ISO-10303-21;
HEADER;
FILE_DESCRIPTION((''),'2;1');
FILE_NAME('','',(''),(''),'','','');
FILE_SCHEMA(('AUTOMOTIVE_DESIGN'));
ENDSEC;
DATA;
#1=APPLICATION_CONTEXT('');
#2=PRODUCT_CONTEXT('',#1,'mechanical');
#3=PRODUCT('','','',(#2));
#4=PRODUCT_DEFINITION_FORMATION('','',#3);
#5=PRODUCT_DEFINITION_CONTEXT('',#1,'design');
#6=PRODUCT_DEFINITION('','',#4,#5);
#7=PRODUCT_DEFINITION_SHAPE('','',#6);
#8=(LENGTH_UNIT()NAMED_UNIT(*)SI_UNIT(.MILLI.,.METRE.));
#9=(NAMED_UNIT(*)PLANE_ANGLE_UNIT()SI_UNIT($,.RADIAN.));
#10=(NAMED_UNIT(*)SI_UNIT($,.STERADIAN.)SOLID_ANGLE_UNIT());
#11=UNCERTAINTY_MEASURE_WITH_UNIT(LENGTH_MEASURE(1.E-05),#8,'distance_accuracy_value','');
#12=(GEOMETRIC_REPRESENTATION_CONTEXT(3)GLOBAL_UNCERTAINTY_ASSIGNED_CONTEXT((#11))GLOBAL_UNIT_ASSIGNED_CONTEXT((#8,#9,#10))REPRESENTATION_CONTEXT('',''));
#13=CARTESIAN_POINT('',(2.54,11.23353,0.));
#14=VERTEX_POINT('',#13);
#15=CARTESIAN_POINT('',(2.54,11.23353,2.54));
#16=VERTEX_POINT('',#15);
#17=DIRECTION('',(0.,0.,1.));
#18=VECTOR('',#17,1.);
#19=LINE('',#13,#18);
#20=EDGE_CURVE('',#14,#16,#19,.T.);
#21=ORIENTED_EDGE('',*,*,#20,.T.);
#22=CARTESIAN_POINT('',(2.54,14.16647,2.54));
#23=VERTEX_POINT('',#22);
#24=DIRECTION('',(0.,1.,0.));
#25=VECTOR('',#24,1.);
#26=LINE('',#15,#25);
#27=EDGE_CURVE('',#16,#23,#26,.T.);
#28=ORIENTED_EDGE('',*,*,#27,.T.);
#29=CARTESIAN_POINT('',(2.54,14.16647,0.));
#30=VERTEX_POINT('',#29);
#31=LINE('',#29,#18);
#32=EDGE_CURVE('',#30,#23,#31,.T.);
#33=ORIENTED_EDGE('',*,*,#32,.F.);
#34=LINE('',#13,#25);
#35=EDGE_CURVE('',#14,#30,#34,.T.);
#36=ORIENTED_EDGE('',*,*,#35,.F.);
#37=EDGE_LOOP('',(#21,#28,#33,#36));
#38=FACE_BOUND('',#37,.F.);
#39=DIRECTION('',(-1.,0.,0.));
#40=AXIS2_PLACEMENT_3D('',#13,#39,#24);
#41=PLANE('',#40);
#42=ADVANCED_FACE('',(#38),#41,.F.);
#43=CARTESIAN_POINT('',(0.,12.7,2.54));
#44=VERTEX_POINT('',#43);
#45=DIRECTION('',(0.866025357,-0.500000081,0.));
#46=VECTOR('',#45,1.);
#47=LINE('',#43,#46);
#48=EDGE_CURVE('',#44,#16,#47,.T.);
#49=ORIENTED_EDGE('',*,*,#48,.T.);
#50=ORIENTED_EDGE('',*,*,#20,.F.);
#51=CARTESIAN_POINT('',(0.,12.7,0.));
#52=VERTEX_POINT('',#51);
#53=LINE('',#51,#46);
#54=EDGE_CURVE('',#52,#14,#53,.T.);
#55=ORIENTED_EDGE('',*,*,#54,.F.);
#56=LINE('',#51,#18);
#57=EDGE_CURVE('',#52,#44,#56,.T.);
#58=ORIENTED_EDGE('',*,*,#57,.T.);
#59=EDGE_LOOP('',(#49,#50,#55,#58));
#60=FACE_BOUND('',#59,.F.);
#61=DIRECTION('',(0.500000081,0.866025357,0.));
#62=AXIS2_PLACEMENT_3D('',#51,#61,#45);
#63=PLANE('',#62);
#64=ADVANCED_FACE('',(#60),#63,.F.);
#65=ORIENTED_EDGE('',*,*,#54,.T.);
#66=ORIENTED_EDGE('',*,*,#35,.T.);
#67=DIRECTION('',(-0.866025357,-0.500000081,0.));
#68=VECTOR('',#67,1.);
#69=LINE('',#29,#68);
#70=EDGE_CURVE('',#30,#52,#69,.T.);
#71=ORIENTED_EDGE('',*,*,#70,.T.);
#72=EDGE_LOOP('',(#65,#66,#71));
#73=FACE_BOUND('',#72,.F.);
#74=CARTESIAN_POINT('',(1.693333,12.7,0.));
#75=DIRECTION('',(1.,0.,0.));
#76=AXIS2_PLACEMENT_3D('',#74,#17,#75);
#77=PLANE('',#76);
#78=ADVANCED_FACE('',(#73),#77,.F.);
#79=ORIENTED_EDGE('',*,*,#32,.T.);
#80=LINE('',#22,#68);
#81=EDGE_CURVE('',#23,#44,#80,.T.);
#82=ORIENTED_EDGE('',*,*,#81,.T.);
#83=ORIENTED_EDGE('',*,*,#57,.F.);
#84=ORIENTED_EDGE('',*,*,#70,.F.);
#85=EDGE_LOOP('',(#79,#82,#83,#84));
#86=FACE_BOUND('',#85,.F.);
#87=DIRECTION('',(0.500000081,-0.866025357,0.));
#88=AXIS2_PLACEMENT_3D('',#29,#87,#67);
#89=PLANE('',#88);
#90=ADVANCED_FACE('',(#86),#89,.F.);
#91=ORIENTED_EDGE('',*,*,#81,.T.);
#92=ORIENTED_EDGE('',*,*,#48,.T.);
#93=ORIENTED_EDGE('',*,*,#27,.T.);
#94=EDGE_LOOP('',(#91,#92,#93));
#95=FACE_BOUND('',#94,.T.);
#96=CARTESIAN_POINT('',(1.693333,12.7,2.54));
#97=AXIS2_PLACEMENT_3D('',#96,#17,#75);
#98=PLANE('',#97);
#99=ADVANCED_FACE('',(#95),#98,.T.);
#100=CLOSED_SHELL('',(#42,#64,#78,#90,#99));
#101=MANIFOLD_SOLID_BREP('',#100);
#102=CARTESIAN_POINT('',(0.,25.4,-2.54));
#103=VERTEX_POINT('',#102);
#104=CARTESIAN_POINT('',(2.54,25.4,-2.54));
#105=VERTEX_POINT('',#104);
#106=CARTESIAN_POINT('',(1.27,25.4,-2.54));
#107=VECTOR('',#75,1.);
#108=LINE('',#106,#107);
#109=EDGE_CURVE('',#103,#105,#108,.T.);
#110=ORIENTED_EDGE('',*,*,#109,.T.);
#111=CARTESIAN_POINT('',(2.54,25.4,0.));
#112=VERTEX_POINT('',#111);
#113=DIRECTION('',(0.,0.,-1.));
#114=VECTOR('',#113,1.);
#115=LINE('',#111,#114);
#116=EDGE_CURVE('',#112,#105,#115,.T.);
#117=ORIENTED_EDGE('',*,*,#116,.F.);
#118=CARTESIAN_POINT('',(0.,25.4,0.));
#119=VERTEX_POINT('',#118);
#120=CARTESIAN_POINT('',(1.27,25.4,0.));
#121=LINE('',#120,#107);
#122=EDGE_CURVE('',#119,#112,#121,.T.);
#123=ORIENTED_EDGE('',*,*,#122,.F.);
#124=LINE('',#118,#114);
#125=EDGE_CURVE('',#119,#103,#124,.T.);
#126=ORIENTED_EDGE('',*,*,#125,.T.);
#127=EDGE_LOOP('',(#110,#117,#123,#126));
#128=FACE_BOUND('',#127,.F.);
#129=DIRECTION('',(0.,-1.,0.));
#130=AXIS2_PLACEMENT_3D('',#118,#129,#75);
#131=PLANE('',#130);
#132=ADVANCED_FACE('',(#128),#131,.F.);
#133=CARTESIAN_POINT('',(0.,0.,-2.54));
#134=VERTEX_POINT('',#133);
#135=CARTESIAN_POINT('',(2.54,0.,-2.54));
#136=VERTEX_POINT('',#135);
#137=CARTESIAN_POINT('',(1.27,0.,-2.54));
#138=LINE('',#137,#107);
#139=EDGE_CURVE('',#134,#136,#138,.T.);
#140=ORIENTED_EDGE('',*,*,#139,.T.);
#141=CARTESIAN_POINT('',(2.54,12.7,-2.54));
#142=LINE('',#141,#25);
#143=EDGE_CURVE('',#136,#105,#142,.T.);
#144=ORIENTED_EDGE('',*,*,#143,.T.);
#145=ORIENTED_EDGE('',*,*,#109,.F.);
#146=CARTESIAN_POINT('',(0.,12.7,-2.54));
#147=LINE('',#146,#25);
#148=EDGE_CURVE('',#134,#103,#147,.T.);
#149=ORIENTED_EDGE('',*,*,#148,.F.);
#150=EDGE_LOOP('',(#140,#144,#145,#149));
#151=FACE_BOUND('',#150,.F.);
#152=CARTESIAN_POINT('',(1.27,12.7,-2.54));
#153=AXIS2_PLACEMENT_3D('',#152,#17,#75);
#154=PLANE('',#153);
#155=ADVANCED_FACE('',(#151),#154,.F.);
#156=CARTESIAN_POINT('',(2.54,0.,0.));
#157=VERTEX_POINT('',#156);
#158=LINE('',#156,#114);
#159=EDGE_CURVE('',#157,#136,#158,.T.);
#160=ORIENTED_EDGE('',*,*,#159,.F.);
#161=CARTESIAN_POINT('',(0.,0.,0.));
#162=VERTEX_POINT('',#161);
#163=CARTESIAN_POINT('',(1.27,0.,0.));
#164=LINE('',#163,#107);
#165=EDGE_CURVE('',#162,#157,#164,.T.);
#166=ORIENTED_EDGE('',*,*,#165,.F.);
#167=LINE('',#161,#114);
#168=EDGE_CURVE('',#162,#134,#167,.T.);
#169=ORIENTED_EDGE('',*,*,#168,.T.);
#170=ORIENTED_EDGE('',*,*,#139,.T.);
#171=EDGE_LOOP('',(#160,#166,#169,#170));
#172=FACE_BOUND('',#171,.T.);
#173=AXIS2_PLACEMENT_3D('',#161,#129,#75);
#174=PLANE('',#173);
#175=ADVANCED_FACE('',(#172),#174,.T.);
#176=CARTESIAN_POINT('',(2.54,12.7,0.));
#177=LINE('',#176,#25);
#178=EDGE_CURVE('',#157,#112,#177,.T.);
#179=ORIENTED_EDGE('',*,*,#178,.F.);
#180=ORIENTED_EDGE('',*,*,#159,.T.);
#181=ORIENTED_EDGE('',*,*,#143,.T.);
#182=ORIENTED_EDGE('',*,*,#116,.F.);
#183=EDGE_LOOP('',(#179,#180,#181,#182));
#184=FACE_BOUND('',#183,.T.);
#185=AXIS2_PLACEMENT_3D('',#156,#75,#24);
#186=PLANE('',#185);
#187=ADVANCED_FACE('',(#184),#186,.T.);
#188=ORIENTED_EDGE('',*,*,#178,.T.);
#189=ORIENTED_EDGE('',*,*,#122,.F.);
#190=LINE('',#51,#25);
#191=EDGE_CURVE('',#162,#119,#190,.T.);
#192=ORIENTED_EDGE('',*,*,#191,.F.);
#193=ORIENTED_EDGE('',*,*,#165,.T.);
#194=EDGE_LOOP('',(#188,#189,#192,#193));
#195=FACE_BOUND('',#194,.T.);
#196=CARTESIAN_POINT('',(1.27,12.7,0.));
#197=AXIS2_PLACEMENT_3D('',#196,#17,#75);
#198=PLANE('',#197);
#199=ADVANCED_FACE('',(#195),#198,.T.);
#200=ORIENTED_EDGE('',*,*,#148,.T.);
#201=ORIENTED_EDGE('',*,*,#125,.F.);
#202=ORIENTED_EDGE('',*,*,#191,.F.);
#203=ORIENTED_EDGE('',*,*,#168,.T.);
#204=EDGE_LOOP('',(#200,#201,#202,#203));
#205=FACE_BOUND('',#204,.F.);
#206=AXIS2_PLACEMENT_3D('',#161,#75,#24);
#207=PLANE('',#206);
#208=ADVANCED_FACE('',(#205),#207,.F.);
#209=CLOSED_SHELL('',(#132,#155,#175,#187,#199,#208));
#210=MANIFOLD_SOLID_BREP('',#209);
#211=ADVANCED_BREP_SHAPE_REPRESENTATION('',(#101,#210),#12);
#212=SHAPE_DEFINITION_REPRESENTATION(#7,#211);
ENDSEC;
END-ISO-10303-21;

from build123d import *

# Parameters (mm, degrees)
F0_W     = 2.54
F0_H     = 25.4
F1_DEPTH = 2.54
F3_DEPTH = 2.54


with BuildPart() as f1:
    # F0 (on Top) → F1 (new body)
    with BuildSketch(Plane.XY):
        with Locations((1.27, 12.7)):
            Rectangle(F0_W, F0_H)
    extrude(amount=-F1_DEPTH)


with BuildPart() as f3:
    # F2 (on Top) → F3 (new body)
    with BuildSketch(Plane.XY):
        Polygon((2.54, 11.23353), (2.54, 14.16647), (0, 12.7), align=None)
    extrude(amount=F3_DEPTH)


solid = Compound([f1.part, f3.part])
